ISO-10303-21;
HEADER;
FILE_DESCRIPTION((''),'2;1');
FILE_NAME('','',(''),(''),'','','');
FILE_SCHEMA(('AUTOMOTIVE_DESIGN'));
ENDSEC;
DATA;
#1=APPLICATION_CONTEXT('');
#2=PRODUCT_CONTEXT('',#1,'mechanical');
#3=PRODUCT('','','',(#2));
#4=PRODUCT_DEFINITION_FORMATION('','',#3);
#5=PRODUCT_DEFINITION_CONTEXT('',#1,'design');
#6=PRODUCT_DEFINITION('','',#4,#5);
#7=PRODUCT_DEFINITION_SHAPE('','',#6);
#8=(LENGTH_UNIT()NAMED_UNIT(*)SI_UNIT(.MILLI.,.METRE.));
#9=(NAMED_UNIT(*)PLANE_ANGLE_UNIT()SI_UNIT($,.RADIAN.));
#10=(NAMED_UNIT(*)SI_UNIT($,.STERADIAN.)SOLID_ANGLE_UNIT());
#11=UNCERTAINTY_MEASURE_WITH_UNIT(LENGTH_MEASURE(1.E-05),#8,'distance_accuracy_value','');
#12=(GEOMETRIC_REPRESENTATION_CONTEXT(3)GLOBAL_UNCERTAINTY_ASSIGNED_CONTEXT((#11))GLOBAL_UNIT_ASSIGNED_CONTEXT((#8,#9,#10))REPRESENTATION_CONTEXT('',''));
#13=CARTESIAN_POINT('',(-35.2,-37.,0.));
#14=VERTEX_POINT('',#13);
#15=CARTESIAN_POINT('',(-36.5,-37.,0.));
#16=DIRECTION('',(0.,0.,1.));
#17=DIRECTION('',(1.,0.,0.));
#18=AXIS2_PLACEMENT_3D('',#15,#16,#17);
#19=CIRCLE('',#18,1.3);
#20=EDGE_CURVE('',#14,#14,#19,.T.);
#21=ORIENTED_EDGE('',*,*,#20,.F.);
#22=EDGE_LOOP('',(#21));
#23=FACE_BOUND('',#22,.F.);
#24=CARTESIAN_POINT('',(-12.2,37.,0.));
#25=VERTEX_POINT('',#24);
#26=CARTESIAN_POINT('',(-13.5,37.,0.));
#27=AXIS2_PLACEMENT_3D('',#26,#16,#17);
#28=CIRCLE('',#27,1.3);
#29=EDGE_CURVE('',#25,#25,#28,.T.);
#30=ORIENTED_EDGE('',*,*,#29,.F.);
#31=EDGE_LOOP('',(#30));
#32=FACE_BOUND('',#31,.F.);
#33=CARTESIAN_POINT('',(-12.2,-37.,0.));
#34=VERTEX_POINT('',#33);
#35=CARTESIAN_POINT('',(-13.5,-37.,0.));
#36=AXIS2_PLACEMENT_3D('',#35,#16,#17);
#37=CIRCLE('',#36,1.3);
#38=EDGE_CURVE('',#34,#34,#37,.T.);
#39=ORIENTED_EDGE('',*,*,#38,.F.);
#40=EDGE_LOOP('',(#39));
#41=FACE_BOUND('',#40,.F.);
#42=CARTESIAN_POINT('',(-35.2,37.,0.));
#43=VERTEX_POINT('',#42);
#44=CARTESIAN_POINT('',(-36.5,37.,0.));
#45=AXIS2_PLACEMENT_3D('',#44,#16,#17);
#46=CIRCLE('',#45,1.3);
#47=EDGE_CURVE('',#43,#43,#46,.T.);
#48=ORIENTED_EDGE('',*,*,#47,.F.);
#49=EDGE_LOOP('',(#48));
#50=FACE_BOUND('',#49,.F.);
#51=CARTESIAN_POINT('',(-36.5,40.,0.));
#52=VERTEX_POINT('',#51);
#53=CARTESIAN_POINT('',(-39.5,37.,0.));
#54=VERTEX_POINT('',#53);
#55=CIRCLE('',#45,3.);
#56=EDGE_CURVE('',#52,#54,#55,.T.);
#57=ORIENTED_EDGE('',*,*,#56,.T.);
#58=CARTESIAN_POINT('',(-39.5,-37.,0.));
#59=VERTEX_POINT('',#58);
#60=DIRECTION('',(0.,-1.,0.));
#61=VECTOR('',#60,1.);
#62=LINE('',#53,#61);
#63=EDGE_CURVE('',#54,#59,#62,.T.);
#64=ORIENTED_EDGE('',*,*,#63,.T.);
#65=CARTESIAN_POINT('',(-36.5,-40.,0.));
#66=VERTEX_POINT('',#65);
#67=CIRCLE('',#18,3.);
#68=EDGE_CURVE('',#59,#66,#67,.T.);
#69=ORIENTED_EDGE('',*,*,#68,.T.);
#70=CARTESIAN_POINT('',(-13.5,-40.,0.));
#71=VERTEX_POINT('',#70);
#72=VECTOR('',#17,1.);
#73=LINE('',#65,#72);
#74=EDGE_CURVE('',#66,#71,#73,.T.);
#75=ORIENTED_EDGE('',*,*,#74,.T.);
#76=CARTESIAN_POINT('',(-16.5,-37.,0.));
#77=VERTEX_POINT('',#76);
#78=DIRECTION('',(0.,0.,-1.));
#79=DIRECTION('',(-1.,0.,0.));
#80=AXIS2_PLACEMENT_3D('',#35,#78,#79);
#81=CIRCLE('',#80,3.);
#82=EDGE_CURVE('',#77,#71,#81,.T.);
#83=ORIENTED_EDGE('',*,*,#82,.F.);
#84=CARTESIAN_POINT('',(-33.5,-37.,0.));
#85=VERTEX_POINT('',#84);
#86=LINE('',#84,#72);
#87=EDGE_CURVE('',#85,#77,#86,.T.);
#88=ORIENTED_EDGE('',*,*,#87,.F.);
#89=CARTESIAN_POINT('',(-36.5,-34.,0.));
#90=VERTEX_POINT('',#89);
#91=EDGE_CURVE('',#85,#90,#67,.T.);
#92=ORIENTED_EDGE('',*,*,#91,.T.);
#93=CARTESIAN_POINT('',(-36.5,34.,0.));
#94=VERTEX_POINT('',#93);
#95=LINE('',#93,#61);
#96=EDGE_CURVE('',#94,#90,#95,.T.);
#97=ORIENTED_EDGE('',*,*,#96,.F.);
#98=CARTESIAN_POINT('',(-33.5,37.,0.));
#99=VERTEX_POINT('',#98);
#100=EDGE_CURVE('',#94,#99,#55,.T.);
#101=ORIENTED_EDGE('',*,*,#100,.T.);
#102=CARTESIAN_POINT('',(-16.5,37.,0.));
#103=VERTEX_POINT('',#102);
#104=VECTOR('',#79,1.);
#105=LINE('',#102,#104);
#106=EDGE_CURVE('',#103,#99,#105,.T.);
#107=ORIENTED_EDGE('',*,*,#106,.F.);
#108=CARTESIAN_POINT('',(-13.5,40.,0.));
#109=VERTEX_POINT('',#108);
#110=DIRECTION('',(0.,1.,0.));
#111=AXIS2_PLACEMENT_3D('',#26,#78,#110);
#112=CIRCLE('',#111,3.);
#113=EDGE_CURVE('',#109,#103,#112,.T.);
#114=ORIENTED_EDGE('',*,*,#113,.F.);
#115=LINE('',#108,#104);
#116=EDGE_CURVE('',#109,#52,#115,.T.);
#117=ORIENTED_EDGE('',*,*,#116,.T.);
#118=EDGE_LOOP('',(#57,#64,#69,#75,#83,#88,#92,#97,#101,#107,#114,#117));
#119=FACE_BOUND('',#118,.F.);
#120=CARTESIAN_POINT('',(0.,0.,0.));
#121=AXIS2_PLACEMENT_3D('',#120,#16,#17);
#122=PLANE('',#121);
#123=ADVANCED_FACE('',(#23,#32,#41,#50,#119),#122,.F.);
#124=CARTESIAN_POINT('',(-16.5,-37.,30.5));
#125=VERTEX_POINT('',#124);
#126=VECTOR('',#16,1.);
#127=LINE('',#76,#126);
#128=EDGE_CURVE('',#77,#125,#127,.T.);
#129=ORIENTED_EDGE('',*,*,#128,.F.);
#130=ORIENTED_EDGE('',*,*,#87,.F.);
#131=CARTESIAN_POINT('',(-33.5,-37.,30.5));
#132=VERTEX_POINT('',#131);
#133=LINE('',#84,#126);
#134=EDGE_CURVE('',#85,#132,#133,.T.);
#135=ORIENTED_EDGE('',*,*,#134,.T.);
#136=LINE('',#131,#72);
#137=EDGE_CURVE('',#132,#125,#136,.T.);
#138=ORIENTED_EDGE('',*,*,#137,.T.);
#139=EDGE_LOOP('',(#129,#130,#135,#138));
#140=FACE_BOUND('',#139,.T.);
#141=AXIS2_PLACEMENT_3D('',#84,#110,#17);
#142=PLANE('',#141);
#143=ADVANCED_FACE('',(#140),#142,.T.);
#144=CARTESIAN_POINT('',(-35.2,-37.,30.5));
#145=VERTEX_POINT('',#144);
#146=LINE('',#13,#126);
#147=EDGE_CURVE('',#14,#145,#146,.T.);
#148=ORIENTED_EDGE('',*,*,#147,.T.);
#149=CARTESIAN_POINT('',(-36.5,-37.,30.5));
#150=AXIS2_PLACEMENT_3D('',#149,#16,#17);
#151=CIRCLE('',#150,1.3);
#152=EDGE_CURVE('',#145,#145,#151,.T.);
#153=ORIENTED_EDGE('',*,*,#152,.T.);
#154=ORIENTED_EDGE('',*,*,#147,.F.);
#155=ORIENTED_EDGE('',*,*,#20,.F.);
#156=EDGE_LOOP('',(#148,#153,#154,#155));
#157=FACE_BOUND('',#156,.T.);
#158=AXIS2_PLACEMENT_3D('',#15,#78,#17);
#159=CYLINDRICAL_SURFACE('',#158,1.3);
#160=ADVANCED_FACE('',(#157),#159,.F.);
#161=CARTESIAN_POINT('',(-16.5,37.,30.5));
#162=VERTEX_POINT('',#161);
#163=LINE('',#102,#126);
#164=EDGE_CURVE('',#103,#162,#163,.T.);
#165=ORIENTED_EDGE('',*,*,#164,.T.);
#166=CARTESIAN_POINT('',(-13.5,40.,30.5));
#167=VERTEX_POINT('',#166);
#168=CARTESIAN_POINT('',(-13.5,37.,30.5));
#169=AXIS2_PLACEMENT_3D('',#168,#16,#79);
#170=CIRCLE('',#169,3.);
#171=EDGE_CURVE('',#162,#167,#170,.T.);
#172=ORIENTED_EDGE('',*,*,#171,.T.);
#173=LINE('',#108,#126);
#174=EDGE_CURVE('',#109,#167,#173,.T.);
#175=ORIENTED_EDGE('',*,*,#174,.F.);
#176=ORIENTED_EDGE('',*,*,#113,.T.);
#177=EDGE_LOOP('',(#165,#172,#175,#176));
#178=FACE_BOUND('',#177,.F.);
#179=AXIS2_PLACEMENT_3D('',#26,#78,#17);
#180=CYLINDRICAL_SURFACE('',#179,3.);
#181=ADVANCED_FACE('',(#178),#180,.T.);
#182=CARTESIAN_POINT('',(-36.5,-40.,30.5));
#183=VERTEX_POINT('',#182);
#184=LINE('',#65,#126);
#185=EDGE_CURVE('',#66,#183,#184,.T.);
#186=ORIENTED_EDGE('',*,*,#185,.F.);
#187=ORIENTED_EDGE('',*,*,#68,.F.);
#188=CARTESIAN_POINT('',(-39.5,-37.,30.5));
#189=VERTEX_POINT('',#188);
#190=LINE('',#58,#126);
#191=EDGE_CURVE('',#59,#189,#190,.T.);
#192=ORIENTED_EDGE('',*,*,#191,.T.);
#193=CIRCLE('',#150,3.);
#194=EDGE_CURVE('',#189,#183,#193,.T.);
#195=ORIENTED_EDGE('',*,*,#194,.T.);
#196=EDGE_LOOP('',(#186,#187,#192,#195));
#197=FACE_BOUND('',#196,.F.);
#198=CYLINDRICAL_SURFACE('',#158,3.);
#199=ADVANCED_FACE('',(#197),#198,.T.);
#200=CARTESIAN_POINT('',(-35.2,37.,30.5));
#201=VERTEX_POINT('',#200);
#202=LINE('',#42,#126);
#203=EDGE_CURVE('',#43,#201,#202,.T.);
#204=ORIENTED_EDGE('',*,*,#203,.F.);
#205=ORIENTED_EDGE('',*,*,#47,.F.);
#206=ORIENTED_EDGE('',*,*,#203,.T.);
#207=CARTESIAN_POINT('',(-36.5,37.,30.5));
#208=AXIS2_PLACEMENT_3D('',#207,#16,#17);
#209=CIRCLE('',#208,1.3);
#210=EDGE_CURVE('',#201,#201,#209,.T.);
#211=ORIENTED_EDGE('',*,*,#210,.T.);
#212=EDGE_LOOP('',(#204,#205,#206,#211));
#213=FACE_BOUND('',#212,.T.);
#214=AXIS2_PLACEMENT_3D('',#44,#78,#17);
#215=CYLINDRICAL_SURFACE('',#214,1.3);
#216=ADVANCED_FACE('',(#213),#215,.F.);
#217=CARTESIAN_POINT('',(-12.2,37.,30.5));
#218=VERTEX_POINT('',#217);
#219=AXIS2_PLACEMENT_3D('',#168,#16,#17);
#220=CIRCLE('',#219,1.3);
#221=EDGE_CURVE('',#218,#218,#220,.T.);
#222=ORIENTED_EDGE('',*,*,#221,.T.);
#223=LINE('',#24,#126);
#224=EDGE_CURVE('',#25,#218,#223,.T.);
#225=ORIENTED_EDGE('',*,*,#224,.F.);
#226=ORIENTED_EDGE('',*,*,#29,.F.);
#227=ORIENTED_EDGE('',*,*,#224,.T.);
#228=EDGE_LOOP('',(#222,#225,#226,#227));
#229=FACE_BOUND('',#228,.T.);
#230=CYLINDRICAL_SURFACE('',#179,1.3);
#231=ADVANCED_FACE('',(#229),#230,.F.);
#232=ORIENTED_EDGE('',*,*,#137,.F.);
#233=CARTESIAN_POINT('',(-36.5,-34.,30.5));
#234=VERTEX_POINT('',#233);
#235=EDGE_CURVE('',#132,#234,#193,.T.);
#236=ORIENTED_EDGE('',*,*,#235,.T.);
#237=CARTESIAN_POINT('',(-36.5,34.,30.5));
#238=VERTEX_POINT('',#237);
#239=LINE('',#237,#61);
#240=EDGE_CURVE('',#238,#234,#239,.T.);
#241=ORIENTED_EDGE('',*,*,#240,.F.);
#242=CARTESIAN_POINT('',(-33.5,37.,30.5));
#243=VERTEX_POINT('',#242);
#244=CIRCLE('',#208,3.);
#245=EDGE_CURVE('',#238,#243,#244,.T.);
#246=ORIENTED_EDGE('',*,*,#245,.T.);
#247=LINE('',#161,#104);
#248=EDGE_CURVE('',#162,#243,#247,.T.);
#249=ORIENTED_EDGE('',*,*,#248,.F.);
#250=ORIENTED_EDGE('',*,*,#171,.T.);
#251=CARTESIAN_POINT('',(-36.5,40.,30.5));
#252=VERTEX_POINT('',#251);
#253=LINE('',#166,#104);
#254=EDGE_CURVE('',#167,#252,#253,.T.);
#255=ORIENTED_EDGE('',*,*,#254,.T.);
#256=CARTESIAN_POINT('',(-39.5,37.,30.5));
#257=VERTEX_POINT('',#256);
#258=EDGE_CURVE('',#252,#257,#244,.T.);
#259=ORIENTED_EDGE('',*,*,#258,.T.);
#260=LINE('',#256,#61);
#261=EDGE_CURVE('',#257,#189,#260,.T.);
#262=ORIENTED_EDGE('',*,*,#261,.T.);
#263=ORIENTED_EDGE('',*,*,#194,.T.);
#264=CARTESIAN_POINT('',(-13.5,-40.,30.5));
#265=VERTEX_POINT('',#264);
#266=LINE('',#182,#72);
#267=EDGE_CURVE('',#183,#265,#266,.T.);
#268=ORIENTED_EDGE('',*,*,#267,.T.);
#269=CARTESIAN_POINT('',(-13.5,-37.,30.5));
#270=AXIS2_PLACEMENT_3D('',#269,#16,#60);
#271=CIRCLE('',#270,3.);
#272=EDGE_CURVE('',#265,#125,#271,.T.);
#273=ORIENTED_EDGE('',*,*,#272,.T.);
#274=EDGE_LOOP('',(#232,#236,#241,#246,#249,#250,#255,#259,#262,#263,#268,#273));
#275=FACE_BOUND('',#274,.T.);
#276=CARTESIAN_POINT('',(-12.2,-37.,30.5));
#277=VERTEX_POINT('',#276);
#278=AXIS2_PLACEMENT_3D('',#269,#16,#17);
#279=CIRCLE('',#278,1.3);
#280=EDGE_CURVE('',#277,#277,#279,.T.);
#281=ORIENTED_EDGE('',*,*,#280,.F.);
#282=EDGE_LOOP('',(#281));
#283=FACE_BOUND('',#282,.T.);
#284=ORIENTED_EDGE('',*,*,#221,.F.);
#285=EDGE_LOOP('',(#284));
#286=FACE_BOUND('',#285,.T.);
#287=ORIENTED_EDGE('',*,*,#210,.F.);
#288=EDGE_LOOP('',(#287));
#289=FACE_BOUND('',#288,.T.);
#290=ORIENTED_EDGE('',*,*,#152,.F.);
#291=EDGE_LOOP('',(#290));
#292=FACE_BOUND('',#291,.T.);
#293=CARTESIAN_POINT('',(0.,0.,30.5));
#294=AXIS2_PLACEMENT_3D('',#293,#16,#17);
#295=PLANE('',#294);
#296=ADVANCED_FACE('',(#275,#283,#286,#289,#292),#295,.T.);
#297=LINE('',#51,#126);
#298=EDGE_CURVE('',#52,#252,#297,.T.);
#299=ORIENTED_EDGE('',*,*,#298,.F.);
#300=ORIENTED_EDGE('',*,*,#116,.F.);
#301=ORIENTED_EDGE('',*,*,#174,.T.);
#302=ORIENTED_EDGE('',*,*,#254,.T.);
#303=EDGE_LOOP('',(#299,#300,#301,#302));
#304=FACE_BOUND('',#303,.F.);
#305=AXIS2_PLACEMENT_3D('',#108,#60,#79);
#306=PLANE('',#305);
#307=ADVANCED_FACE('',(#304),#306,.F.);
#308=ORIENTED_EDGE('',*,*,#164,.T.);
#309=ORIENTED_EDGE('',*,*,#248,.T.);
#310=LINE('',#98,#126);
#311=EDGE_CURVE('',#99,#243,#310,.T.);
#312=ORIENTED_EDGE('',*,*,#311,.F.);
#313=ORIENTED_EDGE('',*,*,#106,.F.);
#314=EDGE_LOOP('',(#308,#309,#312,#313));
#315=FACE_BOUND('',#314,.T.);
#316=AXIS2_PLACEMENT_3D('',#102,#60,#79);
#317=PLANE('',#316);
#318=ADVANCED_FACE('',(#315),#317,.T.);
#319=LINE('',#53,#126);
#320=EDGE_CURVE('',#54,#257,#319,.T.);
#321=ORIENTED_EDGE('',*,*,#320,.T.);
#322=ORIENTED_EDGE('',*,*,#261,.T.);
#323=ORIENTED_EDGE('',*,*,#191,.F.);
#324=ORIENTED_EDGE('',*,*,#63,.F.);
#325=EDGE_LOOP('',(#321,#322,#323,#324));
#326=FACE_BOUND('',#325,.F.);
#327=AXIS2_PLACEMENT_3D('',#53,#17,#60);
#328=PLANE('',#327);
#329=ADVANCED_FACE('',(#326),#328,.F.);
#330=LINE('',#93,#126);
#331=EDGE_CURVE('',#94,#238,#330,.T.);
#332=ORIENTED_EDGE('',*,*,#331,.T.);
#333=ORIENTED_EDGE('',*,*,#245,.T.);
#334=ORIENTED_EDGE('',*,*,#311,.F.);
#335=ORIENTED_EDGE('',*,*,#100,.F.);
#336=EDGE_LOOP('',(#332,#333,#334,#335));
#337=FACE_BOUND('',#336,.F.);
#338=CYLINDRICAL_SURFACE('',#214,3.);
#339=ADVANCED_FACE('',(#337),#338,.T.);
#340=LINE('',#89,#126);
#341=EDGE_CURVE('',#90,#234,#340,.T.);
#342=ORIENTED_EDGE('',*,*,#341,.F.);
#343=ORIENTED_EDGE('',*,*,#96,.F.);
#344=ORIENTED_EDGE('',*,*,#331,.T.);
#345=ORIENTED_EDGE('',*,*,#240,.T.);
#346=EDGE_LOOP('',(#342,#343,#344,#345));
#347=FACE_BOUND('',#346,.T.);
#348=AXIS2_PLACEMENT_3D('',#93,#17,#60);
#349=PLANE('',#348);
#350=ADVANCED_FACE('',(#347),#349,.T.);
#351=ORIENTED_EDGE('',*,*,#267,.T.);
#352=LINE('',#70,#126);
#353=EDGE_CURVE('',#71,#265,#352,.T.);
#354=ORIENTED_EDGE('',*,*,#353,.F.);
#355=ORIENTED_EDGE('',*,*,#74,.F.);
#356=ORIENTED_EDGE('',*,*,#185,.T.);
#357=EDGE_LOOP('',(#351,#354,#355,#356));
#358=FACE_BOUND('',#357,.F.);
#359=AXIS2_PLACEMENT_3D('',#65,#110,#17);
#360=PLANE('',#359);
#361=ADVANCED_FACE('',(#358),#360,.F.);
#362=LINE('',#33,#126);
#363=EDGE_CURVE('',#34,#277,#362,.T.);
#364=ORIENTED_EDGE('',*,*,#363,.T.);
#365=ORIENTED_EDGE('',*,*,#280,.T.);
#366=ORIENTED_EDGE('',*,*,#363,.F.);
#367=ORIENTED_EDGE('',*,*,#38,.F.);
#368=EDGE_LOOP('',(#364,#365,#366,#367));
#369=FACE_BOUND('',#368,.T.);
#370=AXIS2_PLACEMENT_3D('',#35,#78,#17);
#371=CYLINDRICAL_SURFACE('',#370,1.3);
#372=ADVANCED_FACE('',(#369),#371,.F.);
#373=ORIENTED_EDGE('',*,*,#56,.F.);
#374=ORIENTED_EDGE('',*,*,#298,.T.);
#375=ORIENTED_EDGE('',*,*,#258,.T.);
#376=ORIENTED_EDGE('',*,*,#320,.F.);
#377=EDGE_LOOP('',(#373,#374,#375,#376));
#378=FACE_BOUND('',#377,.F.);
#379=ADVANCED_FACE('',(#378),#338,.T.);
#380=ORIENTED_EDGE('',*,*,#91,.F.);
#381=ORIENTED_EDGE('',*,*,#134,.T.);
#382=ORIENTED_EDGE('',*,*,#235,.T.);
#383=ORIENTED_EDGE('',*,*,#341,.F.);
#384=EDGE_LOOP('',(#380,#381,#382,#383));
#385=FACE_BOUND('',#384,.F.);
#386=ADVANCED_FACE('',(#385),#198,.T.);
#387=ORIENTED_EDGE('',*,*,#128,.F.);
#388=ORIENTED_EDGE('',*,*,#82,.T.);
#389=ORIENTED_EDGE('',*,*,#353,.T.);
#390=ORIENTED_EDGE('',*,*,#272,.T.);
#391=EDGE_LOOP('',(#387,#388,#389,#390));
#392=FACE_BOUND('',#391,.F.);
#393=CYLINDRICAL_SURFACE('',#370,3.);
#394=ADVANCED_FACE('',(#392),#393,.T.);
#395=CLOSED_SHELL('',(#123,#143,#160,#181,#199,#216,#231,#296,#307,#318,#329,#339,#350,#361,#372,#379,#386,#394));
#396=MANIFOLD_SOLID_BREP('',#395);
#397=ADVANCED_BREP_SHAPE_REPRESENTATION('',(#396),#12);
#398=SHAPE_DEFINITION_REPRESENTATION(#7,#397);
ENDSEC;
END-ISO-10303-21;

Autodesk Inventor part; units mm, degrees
ref_plane "YZ Plane" through (0, 0, 0) normal (1, 0, 0) x (0, 1, 0)
ref_plane "XZ Plane" through (0, 0, 0) normal (0, 1, 0) x (-1, 0, 0)
sketch "スケッチ1" plane through (0, 0, 0) normal (0, 0, 1) x (1, 0, 0)
  circle A0 centre (-13.5, 37) radius 1.6 projected
  circle A1 centre (-36.5, 37) radius 1.6 projected
  circle A2 centre (-36.5, -37) radius 1.6 projected
  circle A3 centre (-13.5, -37) radius 1.6 projected
  circle A4 centre (-13.5, 37) radius 1.3
  circle A5 centre (-13.5, 37) radius 3
  circle A6 centre (-36.5, 37) radius 1.3
  circle A7 centre (-36.5, 37) radius 3
  circle A8 centre (-36.5, -37) radius 1.3
  circle A9 centre (-36.5, -37) radius 3
  circle A10 centre (-13.5, -37) radius 1.3
  circle A11 centre (-13.5, -37) radius 3
  line L0 (-13.5, 40) -> (-36.5, 40)
  line L1 (-39.5, 37) -> (-39.5, -37)
  line L2 (-36.5, -40) -> (-13.5, -40)
  line L3 (-16.5, 37) -> (-33.5, 37)
  line L4 (-36.5, 34) -> (-36.5, -34)
  line L5 (-33.5, -37) -> (-16.5, -37)
  point P0 (0, 0)
  dimension "d0" = 2.6
  dimension "d1" = 6
  dimension "d2" = 2.6
  dimension "d3" = 6
  dimension "d4" = 2.6
  dimension "d5" = 6
  dimension "d6" = 2.6
  dimension "d7" = 6
ref_plane "作業平面1" through (-39.5, -40, 30.5) normal (0, 0, -1) x (0, 1, 0)
extrude "押し出し1" add sketch "スケッチ1" along normal up to surface (30.5 mm away) contours A0 | A1 | A2 | A3 | A5 | A5 L3 A7 L0 | A7 | A7 L4 A9 L1 | A9 | A9 L5 A11 L2 | A11
properties part number "kiban_kakoi"
